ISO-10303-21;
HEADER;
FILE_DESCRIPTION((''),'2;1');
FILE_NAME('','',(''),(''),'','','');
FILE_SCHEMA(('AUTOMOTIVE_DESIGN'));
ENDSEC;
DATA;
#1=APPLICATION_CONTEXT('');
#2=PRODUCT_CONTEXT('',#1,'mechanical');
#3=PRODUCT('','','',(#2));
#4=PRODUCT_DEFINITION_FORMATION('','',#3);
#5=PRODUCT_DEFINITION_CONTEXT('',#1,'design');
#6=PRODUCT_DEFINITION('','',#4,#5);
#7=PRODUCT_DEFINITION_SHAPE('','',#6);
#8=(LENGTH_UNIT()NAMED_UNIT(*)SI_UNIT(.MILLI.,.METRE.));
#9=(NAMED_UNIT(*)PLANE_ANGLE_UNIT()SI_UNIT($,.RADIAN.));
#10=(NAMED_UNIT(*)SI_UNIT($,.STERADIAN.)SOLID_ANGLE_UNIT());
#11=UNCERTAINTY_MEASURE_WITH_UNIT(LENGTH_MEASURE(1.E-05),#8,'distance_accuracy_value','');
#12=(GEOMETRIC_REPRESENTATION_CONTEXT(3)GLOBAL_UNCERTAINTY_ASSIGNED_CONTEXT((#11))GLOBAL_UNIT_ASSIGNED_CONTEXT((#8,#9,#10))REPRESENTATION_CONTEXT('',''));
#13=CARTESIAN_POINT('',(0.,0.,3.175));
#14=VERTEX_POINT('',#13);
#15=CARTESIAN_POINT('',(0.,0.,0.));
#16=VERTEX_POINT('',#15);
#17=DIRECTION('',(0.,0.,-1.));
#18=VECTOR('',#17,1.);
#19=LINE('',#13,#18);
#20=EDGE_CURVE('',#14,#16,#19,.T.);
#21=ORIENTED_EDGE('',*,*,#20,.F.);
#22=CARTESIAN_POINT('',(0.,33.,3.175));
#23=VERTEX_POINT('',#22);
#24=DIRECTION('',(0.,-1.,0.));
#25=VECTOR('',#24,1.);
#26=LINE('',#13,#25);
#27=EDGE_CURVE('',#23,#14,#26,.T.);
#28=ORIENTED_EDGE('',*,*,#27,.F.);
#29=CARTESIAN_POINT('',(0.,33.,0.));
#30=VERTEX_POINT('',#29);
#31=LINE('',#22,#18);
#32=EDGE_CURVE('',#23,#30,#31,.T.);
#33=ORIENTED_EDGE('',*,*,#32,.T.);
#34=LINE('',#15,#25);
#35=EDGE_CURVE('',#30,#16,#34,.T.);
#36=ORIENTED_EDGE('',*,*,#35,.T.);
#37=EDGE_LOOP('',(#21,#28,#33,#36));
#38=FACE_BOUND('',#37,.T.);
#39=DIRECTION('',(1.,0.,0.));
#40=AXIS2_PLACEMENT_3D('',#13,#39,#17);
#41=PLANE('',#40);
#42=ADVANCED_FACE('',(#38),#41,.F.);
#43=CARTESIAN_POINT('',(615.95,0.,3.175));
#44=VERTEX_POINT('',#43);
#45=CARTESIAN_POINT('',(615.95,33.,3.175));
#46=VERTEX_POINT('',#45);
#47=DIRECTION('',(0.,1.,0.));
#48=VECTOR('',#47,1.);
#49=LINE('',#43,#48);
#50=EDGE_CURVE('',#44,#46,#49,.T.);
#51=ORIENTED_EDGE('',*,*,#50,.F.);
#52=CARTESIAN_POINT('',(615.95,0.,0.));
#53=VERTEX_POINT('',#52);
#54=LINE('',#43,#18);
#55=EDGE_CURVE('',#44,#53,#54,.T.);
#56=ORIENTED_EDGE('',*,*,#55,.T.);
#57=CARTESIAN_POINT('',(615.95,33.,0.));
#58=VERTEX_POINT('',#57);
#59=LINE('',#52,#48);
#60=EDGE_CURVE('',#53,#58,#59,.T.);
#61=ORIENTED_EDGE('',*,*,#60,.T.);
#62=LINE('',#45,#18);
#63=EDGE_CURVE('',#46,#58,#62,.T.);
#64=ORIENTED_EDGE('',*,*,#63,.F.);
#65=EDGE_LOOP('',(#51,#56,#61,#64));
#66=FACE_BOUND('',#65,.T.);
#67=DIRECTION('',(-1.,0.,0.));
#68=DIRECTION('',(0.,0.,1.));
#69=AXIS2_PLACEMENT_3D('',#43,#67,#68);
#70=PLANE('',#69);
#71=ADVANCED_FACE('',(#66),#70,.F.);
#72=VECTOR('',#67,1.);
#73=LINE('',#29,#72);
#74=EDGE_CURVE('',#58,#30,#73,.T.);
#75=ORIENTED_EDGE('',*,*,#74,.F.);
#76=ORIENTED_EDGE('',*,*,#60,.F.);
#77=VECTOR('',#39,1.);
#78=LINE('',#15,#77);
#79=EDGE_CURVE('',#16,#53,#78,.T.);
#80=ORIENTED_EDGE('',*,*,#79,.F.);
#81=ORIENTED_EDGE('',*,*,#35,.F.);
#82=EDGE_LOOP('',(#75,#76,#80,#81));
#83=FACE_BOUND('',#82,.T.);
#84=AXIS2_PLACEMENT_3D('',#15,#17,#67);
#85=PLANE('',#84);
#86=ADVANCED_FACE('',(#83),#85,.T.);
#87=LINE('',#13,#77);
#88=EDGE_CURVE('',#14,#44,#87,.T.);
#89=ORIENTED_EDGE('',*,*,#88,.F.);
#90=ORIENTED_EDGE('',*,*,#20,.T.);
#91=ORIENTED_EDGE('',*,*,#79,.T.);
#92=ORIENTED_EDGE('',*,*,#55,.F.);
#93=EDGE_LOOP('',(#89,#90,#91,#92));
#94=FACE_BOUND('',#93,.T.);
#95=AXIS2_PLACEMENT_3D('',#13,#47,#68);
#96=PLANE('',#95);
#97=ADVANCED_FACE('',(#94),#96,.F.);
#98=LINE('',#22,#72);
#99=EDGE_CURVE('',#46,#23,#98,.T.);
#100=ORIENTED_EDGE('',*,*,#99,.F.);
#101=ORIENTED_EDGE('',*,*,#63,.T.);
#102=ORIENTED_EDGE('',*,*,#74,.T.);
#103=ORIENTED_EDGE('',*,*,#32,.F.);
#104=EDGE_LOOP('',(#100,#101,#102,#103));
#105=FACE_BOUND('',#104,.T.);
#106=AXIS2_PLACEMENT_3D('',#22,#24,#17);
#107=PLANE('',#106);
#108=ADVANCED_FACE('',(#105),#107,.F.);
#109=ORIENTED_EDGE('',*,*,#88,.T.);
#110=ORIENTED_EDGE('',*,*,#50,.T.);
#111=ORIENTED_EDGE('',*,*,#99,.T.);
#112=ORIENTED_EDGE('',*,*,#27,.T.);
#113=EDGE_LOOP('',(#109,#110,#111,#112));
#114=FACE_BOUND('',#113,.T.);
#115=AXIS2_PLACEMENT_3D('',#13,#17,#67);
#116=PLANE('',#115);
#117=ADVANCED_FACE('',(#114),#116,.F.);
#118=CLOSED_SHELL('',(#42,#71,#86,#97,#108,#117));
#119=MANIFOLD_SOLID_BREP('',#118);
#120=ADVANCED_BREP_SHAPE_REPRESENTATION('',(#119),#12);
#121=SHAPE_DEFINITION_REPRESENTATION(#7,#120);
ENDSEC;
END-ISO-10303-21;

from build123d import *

# Parameters (mm, degrees)
SKETCH1_W           = 615.95
SKETCH1_H           = 33
BOSS_EXTRUDE1_DEPTH = 3.175


with BuildPart() as part:
    # Sketch1 → Boss-Extrude1 (new body)
    with BuildSketch(Plane.XY):
        with Locations((307.975, 16.5)):
            Rectangle(SKETCH1_W, SKETCH1_H)
    extrude(amount=BOSS_EXTRUDE1_DEPTH)


solid = part.part
